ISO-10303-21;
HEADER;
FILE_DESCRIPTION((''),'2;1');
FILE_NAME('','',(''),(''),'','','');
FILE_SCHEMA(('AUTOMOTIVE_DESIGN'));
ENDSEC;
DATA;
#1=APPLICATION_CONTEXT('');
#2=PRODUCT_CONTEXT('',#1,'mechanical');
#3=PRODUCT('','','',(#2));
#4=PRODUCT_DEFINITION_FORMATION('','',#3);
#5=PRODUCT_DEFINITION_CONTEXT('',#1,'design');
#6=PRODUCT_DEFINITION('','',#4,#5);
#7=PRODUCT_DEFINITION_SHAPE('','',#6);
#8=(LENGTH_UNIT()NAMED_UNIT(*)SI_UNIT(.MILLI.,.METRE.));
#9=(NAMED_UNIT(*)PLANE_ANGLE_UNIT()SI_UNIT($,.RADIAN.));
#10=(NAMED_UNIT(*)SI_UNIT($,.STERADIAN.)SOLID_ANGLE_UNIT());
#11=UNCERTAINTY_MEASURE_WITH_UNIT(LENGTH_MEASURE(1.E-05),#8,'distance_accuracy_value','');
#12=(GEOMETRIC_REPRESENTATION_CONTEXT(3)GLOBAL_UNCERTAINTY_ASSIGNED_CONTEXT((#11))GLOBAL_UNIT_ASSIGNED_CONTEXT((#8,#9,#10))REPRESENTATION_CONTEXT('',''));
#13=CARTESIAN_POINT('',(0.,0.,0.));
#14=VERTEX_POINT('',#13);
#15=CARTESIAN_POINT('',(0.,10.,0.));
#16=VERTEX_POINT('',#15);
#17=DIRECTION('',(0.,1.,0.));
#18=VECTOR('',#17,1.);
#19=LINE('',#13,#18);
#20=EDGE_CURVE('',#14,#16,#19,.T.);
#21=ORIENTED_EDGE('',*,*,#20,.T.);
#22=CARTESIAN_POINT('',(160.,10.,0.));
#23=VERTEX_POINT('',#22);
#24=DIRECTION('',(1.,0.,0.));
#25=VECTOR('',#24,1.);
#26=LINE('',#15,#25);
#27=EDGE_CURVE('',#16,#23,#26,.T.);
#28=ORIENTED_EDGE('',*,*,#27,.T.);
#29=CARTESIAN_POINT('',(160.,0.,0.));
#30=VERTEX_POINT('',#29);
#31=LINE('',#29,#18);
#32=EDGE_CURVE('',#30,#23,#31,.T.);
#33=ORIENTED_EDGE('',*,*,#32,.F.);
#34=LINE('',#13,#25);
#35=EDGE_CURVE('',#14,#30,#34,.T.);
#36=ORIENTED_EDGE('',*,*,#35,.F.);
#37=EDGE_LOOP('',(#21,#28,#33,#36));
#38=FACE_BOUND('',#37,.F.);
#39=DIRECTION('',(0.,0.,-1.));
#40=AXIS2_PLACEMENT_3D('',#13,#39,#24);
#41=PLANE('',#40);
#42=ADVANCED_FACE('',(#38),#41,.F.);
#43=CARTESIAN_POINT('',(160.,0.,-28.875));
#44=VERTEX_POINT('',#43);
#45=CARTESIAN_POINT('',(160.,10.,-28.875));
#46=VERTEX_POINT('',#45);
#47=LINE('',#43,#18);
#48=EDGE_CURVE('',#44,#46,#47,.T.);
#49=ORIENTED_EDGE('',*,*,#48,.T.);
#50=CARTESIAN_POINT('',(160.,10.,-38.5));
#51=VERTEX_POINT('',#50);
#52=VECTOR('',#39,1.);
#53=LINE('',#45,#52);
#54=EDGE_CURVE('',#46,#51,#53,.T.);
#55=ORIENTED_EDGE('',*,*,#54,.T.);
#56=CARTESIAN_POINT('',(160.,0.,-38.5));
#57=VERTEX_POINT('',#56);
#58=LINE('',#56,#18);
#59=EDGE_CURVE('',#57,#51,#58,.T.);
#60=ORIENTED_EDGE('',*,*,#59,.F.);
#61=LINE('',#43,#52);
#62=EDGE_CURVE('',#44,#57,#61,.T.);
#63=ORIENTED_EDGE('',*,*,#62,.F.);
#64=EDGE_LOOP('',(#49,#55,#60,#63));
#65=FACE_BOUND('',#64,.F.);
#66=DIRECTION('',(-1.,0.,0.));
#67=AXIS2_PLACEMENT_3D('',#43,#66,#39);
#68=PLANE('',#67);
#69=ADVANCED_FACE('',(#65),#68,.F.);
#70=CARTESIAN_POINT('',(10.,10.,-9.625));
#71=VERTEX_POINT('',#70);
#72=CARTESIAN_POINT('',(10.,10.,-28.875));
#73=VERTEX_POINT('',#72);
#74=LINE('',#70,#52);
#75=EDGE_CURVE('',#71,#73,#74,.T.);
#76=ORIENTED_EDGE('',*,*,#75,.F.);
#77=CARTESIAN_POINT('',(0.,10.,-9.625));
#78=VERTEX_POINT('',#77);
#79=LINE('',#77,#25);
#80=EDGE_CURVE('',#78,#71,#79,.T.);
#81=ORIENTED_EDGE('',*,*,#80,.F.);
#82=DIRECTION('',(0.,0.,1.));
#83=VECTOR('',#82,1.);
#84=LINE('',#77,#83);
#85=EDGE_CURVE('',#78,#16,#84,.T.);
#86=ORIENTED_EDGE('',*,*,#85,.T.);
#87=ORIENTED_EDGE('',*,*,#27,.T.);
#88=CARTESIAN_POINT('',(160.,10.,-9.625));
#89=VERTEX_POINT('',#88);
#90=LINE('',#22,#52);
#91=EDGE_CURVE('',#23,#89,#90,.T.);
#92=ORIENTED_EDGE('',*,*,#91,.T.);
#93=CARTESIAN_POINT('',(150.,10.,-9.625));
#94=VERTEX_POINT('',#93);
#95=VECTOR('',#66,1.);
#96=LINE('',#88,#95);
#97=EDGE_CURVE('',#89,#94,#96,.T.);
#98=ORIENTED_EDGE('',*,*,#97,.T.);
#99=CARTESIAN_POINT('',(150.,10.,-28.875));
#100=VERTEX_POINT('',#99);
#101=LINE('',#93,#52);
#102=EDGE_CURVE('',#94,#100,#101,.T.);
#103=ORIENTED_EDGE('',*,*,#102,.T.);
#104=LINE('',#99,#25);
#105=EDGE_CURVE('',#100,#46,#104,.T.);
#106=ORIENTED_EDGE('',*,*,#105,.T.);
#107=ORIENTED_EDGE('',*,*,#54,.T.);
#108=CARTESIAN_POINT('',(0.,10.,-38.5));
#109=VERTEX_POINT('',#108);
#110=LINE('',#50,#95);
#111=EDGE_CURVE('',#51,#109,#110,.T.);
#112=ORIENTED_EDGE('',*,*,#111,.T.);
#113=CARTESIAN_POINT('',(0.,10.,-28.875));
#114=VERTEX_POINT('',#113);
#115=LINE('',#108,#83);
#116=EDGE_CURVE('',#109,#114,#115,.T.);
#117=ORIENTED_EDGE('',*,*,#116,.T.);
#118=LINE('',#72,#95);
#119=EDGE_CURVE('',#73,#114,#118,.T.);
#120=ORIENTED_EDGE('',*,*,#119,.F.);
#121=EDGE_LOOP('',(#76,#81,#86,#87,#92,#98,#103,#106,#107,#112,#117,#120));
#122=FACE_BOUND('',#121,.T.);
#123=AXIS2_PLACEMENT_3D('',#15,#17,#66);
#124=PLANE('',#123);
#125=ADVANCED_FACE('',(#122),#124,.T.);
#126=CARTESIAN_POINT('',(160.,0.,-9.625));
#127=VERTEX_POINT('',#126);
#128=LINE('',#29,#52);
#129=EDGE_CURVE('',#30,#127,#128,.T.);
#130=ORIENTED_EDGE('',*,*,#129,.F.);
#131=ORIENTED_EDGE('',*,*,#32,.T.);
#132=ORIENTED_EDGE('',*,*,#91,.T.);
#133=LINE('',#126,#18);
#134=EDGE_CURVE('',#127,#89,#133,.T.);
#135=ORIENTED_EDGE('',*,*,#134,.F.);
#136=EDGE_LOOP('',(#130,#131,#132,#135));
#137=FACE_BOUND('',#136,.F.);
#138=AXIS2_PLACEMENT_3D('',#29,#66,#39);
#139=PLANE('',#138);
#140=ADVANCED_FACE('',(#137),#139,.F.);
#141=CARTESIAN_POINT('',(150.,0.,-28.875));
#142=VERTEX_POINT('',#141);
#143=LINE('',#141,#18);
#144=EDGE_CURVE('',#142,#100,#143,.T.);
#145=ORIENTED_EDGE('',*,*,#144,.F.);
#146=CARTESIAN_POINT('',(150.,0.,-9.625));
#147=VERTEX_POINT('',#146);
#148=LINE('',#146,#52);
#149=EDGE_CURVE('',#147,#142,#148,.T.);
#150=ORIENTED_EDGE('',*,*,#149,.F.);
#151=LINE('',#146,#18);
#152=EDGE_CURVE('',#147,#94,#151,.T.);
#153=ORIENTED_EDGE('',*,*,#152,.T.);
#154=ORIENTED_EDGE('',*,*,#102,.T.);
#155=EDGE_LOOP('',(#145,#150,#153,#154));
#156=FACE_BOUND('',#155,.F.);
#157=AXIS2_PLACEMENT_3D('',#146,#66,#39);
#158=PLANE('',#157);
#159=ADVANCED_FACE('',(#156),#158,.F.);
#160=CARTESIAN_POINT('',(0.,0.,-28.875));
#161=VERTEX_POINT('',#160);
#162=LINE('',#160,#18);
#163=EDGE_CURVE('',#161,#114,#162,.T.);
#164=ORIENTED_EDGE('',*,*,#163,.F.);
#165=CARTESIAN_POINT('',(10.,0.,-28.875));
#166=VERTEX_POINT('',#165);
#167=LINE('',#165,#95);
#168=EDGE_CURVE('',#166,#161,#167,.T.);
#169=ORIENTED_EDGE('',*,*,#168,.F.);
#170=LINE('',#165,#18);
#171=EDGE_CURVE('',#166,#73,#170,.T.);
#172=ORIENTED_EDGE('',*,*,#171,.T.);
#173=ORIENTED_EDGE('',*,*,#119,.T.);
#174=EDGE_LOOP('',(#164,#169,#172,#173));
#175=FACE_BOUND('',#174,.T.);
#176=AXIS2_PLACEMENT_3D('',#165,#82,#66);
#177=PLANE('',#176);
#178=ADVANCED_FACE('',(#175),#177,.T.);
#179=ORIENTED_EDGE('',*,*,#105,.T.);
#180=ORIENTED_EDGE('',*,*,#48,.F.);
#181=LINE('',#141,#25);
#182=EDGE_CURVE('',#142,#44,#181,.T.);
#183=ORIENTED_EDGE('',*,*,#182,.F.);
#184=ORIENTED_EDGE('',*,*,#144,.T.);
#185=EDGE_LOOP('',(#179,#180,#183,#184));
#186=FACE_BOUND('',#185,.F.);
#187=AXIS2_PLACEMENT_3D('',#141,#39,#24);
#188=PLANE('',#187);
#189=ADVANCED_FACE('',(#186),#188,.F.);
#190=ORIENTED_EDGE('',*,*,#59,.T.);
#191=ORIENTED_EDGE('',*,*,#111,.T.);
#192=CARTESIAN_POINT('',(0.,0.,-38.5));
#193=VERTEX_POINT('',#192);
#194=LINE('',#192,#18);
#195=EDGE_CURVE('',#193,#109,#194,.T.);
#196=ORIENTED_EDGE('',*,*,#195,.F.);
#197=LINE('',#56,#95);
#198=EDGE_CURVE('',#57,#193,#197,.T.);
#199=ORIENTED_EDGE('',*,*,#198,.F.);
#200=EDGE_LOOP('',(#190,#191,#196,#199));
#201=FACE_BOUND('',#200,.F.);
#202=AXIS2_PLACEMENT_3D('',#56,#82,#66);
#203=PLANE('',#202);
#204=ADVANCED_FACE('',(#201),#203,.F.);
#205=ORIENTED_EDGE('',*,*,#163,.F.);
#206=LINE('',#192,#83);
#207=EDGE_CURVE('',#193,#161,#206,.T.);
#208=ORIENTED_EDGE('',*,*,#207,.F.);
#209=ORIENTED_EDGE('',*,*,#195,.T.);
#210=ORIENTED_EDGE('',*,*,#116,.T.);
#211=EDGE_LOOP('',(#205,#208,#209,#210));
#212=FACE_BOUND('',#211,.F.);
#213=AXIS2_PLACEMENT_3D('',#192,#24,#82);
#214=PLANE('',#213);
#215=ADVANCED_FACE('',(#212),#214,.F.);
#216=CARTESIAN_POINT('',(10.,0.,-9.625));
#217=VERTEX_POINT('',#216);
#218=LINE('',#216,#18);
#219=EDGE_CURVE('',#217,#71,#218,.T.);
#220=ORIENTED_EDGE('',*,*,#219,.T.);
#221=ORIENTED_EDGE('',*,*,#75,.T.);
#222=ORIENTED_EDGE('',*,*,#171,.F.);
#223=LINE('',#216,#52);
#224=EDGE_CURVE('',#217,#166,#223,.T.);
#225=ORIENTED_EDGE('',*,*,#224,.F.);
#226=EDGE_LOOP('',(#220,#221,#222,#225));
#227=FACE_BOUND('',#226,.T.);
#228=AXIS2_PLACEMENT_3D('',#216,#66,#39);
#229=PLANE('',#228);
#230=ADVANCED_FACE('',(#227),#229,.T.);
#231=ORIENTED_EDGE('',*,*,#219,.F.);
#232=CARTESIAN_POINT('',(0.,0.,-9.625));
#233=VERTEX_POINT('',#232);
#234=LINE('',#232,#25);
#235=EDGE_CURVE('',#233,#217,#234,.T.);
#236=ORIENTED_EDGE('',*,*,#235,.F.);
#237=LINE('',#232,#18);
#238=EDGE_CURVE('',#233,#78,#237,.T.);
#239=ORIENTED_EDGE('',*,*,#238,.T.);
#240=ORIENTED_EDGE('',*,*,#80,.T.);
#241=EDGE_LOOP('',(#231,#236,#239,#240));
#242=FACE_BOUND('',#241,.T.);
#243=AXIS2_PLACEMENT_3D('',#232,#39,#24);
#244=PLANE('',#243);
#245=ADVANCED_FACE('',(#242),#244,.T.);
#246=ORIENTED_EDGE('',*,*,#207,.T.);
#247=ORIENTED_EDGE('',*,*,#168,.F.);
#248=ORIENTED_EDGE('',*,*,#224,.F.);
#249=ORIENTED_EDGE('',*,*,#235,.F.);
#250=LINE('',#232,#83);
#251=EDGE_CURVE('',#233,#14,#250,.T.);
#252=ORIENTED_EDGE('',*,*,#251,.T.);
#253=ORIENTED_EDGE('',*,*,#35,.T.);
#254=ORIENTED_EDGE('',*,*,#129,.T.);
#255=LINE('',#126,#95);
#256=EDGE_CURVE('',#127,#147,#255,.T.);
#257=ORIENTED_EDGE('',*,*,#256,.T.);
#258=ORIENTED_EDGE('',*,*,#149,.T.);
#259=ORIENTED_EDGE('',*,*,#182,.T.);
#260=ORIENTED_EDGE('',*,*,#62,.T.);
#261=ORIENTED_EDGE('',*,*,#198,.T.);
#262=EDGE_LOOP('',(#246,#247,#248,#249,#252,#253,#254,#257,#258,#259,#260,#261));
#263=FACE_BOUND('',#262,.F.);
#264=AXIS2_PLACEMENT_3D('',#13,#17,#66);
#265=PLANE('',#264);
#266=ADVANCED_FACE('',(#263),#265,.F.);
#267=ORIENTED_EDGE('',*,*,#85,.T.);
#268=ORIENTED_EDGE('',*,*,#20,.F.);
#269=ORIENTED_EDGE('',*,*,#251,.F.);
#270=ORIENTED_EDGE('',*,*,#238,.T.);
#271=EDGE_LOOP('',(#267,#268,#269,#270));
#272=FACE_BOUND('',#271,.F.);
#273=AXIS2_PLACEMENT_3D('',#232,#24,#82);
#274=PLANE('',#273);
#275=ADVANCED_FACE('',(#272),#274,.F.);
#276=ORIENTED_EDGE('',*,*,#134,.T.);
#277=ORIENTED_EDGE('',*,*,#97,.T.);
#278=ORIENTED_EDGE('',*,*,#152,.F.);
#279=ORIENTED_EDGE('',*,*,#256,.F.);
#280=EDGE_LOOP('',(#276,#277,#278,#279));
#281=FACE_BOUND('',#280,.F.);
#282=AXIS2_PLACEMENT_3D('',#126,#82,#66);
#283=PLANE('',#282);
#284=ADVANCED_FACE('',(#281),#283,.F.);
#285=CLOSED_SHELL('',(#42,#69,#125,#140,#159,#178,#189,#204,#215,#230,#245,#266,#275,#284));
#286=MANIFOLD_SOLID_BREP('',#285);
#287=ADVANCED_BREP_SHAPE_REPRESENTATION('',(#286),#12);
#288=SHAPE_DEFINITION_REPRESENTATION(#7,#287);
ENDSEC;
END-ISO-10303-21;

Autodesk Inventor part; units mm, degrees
ref_plane "YZ Plane" through (0, 0, 0) normal (1, 0, 0) x (0, 1, 0)
ref_plane "XZ Plane" through (0, 0, 0) normal (0, 1, 0) x (-1, 0, 0)
ref_plane "XY Plane" through (0, 0, 0) normal (0, 0, 1) x (1, 0, 0)
sketch "Skizze1" plane through (0, 0, 0) normal (0, 1, 0) x (-1, 0, 0)
  line L0 (0, 0) -> (-160, 0)
  line L1 (-160, -38.5) -> (0, -38.5)
  line L2 (0, -9.625) -> (-10, -9.625)
  line L3 (-10, -9.625) -> (-10, -28.875)
  line L4 (-10, -28.875) -> (0, -28.875)
  line L5 (-160, -9.625) -> (-150, -9.625)
  line L6 (-150, -9.625) -> (-150, -28.875)
  line L7 (-150, -28.875) -> (-160, -28.875)
  line L8 (0, -38.5) -> (0, -28.875)
  line L9 (0, -9.625) -> (0, 0)
  line L10 (-160, 0) -> (-160, -9.625)
  line L11 (-160, -28.875) -> (-160, -38.5)
  dimension "d0" = 160
  dimension "d1" = 38.5
  dimension "d2" = 10
  dimension "d3" = 19.25
  dimension "d4" = 10
  dimension "d5" = 19.25
  dimension "d6" = 9.625
  dimension "d7" = 9.625
extrude "Extrusion1" add sketch "Skizze1" along normal blind 10
properties part number "HolzServoHalterHinten"
